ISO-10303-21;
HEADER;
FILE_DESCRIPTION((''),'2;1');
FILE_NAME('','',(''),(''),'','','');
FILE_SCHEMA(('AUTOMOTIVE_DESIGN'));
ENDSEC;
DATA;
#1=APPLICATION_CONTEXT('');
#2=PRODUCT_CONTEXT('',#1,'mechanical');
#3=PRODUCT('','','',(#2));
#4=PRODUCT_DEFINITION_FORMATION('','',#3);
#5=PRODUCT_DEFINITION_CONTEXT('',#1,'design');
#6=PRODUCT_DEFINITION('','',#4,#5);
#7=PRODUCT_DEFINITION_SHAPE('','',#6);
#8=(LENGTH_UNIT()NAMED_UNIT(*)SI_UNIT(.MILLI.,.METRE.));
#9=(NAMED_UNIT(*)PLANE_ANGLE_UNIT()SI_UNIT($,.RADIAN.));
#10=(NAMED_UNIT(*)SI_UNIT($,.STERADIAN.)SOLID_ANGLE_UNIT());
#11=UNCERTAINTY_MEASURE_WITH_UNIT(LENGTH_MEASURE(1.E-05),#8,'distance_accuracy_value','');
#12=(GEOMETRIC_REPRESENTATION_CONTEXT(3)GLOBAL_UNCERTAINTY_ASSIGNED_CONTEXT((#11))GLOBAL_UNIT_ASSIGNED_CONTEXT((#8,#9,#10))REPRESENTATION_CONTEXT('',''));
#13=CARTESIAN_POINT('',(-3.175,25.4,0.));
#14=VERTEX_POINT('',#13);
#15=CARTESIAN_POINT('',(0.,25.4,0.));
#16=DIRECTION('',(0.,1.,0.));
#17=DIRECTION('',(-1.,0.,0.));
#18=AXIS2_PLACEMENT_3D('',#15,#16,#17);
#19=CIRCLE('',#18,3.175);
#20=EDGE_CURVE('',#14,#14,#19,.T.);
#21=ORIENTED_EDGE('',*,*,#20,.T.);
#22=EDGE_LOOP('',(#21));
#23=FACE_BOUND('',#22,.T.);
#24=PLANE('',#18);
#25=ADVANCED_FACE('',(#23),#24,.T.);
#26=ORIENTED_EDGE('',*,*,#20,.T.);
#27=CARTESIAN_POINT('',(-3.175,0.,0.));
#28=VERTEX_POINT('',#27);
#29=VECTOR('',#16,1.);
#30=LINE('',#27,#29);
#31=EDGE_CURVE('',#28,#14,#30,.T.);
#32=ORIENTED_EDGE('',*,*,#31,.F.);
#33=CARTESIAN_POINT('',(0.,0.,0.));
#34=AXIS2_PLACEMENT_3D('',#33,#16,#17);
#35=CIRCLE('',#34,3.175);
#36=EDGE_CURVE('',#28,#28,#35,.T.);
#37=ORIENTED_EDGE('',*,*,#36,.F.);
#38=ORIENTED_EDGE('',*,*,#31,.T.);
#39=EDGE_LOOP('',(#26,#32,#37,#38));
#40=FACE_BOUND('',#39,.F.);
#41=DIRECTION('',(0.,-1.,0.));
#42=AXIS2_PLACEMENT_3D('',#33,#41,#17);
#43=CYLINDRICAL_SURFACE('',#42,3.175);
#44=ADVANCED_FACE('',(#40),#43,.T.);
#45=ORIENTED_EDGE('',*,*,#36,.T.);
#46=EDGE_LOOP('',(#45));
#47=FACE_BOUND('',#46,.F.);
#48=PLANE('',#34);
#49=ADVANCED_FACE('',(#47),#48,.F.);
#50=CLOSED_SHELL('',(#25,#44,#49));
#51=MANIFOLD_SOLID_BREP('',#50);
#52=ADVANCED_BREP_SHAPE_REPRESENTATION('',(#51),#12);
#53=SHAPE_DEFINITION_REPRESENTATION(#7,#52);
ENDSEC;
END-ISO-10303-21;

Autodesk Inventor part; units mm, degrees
ref_plane "YZ Plane" through (0, 0, 0) normal (1, 0, 0) x (0, 1, 0)
ref_plane "XZ Plane" through (0, 0, 0) normal (0, 1, 0) x (-1, 0, 0)
ref_plane "XY Plane" through (0, 0, 0) normal (0, 0, 1) x (1, 0, 0)
sketch "Sketch1" plane through (0, 0, 0) normal (0, 1, 0) x (-1, 0, 0)
  circle A0 centre (0, 0) radius 3.175
  dimension "d0" = 6.35
extrude "Extrusion1" add sketch "Sketch1" along normal blind 25.4
properties part number "rodStandin"
